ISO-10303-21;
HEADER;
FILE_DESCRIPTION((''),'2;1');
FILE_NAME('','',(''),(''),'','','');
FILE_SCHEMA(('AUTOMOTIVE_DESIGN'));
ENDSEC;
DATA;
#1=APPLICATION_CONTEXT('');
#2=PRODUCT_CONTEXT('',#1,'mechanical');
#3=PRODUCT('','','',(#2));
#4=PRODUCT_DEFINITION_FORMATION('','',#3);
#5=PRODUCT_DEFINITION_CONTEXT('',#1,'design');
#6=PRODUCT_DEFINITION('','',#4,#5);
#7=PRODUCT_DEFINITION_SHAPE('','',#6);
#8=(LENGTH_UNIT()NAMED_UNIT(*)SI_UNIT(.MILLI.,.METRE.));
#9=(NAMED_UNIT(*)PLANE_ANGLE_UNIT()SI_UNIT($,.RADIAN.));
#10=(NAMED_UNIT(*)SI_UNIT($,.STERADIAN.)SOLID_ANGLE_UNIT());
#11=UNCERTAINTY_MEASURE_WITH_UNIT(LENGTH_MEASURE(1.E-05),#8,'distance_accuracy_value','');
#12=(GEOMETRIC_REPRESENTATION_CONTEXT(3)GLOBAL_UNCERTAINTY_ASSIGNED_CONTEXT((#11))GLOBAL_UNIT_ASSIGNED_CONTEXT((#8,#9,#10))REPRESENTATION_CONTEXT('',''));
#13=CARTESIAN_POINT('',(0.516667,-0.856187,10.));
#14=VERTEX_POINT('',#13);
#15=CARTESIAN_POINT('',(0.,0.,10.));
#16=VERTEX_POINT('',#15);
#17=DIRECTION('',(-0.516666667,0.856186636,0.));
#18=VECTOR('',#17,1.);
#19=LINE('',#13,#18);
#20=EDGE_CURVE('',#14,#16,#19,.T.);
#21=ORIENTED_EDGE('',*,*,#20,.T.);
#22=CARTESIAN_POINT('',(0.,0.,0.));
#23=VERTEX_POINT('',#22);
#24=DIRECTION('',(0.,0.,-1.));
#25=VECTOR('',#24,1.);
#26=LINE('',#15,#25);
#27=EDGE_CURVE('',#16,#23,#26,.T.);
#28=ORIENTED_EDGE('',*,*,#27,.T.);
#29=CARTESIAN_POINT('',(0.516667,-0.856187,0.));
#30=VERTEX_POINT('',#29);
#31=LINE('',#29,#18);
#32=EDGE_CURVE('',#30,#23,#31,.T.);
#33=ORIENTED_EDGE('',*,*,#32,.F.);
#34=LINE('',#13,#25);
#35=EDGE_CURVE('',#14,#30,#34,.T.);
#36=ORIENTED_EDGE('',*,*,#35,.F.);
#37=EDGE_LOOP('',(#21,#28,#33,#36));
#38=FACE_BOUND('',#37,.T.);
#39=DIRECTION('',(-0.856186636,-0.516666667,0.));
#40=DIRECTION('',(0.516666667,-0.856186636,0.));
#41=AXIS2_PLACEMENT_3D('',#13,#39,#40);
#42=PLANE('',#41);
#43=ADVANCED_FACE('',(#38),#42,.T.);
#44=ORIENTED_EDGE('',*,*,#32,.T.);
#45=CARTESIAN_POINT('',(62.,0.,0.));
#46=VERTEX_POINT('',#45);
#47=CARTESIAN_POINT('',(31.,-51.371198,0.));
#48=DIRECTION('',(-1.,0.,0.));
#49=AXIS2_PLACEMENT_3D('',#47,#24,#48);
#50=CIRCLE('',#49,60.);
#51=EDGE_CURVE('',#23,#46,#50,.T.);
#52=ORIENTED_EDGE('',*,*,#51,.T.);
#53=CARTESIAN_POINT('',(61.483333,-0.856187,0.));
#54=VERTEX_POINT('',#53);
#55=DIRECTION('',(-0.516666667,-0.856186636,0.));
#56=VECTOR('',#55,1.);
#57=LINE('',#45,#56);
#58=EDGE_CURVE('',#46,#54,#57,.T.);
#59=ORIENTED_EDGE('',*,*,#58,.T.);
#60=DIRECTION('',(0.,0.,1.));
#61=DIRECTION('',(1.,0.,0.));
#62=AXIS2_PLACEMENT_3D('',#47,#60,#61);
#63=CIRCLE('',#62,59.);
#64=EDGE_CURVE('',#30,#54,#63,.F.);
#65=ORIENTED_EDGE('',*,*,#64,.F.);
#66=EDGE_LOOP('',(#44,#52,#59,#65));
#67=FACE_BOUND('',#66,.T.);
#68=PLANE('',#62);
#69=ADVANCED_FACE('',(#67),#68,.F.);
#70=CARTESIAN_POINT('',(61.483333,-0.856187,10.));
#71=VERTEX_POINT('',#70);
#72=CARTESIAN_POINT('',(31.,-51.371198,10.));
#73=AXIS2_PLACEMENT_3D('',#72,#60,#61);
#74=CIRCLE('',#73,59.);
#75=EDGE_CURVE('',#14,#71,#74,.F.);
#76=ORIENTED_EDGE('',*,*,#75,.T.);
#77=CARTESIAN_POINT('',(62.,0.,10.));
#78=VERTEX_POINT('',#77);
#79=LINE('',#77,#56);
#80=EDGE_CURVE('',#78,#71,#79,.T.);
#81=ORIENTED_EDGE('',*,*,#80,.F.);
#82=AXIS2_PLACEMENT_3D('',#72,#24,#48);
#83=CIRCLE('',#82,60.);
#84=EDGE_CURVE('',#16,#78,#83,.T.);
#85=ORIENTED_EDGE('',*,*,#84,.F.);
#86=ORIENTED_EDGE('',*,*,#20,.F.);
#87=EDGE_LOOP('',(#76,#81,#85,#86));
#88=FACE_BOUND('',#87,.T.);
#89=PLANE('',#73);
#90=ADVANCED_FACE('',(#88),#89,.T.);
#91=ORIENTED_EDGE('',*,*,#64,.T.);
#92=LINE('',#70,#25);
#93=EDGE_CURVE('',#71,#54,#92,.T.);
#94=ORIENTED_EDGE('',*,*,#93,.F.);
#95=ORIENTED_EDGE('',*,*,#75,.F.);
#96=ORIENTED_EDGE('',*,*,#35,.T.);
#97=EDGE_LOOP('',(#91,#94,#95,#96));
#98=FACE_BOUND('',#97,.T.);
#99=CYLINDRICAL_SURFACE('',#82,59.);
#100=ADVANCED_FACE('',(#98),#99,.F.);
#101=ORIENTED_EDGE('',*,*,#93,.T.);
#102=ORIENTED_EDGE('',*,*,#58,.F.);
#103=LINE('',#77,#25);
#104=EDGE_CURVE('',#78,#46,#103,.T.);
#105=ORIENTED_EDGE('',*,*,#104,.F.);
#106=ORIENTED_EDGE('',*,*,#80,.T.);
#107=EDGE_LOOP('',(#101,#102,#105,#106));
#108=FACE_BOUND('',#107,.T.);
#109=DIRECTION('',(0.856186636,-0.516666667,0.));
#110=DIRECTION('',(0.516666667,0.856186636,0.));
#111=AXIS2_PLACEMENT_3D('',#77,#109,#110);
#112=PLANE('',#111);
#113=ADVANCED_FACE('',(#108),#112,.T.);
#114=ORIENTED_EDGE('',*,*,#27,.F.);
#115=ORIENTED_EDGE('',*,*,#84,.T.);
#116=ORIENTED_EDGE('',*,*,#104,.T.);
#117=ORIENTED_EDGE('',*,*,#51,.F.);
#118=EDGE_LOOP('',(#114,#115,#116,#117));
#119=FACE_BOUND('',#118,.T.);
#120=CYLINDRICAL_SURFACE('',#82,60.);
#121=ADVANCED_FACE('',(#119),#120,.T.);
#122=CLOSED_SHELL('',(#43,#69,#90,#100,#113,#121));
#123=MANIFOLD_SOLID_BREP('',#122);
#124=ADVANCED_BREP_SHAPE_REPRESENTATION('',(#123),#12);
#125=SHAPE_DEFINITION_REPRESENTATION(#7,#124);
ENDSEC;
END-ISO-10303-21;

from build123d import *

# Parameters (mm, degrees)
EXTRUDE_THIN1_DEPTH = 10


with BuildPart() as part:
    # Sketch1 → Extrude-Thin1 (new body)
    with BuildSketch(Plane.XY):
        with BuildLine():
            ThreePointArc((0, 0), (31, 8.628801844), (62, 0))
            Line((62, 0), (61.483333333, -0.856186636))
            ThreePointArc((61.483333333, -0.856186636), (31, 7.628801844), (0.516666667, -0.856186636))
            Line((0.516666667, -0.856186636), (0, 0))
        make_face()
    extrude(amount=EXTRUDE_THIN1_DEPTH)


solid = part.part
